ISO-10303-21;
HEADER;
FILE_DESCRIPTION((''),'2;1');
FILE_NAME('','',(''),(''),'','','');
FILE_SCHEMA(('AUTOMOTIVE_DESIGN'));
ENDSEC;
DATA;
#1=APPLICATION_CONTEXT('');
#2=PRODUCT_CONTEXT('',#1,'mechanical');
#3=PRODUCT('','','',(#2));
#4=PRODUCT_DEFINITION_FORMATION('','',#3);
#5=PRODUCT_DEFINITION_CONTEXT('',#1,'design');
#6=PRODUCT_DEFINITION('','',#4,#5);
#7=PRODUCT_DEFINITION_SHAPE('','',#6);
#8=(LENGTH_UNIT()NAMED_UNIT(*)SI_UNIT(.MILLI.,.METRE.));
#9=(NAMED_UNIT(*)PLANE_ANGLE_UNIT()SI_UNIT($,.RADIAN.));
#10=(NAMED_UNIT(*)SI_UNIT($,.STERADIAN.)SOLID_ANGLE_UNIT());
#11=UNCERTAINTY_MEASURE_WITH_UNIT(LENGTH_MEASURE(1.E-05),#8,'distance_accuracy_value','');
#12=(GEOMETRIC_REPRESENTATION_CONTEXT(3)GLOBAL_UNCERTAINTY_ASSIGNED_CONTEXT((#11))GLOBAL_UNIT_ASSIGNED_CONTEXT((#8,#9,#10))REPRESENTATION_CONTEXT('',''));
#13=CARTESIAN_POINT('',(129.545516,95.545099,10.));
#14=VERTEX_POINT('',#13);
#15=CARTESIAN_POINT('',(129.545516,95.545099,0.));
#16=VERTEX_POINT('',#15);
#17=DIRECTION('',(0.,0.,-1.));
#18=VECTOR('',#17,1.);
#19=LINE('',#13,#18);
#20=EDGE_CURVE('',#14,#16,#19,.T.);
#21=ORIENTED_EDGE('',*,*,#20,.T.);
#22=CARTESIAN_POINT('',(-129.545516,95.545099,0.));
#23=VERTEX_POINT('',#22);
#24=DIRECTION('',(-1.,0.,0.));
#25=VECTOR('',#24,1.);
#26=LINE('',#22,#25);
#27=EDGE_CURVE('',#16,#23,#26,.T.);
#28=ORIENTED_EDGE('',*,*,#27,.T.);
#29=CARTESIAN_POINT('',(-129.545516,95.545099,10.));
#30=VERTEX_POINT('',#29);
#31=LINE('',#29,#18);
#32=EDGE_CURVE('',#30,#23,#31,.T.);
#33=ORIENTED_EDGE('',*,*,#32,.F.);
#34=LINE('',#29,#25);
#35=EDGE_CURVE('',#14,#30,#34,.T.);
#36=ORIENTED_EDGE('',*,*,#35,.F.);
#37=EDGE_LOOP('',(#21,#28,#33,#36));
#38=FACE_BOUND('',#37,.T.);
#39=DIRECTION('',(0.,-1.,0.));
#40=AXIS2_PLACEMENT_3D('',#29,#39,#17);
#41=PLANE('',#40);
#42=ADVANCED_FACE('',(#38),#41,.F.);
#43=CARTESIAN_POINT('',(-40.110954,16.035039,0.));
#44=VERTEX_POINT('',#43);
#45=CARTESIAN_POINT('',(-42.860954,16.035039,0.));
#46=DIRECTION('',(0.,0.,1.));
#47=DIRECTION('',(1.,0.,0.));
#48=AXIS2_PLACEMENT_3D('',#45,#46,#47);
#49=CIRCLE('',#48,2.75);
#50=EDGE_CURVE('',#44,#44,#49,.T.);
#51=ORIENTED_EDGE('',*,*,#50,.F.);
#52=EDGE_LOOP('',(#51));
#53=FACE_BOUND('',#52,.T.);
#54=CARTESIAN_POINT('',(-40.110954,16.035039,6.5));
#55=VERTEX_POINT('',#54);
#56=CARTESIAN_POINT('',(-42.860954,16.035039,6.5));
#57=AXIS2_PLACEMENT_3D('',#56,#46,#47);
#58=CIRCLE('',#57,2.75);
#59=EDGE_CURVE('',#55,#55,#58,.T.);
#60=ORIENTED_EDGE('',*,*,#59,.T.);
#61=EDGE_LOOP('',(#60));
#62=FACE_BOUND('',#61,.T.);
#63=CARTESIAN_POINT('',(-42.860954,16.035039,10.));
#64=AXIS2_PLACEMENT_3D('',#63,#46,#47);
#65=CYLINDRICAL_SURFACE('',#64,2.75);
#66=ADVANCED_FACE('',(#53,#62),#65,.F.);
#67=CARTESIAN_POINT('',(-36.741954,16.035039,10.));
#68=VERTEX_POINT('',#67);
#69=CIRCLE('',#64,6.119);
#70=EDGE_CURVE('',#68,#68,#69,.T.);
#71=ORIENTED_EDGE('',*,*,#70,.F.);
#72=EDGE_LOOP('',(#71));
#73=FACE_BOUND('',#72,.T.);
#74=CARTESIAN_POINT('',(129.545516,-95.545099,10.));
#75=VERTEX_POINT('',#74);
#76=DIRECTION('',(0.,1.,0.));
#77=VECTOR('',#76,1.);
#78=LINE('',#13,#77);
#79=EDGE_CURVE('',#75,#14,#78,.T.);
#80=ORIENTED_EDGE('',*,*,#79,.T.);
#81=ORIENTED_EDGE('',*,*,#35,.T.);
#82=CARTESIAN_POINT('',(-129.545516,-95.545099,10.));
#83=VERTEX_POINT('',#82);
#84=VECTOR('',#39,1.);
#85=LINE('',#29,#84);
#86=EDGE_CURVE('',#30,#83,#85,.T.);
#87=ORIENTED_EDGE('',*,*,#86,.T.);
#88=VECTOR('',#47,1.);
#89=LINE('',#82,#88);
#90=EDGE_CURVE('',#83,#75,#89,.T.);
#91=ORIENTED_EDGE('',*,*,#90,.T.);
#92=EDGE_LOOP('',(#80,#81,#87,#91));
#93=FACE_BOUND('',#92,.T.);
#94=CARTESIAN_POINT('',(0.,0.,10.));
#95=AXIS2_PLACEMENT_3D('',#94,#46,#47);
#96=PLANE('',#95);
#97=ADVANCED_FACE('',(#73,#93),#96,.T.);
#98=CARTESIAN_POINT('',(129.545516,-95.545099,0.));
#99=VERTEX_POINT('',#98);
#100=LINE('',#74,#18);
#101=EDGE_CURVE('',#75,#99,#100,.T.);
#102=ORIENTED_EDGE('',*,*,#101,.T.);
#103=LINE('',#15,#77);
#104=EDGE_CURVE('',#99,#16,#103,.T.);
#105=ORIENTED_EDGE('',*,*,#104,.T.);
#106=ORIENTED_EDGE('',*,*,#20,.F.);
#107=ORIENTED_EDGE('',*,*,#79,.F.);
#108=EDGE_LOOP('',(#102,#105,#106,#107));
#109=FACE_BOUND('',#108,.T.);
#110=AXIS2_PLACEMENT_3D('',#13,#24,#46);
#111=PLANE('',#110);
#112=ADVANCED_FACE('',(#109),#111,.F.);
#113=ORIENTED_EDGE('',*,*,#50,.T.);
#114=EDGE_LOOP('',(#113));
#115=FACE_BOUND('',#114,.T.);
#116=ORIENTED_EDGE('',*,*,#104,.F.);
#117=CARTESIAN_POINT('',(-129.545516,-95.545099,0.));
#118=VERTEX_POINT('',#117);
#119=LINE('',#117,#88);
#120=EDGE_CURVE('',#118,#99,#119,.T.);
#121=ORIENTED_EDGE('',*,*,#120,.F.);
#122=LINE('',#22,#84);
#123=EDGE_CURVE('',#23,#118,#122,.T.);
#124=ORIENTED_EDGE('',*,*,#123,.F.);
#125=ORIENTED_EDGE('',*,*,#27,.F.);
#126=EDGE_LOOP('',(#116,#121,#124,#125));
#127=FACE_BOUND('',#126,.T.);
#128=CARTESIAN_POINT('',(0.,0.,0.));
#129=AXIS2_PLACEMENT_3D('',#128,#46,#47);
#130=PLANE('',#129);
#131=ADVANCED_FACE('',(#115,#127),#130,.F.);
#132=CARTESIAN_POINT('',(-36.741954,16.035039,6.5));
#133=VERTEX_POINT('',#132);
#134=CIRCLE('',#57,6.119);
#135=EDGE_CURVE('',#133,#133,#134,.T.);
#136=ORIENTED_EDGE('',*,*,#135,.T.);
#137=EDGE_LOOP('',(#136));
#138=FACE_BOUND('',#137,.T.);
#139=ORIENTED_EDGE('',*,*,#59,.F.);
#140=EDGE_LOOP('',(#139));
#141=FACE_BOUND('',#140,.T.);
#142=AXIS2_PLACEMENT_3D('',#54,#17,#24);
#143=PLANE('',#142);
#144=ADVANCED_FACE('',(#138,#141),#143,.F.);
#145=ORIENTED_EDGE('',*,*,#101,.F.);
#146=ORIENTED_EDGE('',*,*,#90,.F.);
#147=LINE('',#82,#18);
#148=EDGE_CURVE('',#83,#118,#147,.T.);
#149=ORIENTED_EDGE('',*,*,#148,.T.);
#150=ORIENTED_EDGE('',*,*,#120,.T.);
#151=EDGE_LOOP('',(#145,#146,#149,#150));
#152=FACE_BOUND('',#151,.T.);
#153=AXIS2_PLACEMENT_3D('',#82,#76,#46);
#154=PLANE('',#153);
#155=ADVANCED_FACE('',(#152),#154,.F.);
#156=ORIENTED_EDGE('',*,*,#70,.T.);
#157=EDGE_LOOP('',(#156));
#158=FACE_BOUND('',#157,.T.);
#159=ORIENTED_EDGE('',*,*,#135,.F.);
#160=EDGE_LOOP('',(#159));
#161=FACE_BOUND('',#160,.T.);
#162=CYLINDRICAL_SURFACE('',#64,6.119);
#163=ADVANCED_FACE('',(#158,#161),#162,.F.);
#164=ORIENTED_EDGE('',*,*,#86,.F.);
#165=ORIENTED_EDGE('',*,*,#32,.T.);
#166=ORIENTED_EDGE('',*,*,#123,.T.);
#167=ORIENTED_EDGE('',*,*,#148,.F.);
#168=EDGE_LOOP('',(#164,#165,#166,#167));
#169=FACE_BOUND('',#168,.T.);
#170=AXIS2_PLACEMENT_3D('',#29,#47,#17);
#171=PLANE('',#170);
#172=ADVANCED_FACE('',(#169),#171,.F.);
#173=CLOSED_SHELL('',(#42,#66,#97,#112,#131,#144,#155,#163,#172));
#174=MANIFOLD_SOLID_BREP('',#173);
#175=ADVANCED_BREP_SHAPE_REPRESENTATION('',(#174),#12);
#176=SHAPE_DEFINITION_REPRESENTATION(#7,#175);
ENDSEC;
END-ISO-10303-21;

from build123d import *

# Parameters (mm, degrees)
SKETCH1_W                               = 259.091032746
SKETCH1_H                               = 191.090198632
BOSS_EXTRUDE1_DEPTH                     = 10
CBORE_FOR_M5_HEX_HEAD_BOLT1_D           = 5.5
CBORE_FOR_M5_HEX_HEAD_BOLT1_CBORE_D     = 12.238
CBORE_FOR_M5_HEX_HEAD_BOLT1_CBORE_DEPTH = 3.5


with BuildPart() as part:
    # Sketch1 → Boss-Extrude1 (new body)
    with BuildSketch(Plane.XY):
        Rectangle(SKETCH1_W, SKETCH1_H)
    extrude(amount=BOSS_EXTRUDE1_DEPTH)

    # CBORE for M5 Hex Head Bolt1 (through all)
    with Locations(Plane.XY.offset(10)):
        with Locations((-42.860954057, 16.035039283)):
            CounterBoreHole(CBORE_FOR_M5_HEX_HEAD_BOLT1_D / 2, CBORE_FOR_M5_HEX_HEAD_BOLT1_CBORE_D / 2, CBORE_FOR_M5_HEX_HEAD_BOLT1_CBORE_DEPTH)


solid = part.part
